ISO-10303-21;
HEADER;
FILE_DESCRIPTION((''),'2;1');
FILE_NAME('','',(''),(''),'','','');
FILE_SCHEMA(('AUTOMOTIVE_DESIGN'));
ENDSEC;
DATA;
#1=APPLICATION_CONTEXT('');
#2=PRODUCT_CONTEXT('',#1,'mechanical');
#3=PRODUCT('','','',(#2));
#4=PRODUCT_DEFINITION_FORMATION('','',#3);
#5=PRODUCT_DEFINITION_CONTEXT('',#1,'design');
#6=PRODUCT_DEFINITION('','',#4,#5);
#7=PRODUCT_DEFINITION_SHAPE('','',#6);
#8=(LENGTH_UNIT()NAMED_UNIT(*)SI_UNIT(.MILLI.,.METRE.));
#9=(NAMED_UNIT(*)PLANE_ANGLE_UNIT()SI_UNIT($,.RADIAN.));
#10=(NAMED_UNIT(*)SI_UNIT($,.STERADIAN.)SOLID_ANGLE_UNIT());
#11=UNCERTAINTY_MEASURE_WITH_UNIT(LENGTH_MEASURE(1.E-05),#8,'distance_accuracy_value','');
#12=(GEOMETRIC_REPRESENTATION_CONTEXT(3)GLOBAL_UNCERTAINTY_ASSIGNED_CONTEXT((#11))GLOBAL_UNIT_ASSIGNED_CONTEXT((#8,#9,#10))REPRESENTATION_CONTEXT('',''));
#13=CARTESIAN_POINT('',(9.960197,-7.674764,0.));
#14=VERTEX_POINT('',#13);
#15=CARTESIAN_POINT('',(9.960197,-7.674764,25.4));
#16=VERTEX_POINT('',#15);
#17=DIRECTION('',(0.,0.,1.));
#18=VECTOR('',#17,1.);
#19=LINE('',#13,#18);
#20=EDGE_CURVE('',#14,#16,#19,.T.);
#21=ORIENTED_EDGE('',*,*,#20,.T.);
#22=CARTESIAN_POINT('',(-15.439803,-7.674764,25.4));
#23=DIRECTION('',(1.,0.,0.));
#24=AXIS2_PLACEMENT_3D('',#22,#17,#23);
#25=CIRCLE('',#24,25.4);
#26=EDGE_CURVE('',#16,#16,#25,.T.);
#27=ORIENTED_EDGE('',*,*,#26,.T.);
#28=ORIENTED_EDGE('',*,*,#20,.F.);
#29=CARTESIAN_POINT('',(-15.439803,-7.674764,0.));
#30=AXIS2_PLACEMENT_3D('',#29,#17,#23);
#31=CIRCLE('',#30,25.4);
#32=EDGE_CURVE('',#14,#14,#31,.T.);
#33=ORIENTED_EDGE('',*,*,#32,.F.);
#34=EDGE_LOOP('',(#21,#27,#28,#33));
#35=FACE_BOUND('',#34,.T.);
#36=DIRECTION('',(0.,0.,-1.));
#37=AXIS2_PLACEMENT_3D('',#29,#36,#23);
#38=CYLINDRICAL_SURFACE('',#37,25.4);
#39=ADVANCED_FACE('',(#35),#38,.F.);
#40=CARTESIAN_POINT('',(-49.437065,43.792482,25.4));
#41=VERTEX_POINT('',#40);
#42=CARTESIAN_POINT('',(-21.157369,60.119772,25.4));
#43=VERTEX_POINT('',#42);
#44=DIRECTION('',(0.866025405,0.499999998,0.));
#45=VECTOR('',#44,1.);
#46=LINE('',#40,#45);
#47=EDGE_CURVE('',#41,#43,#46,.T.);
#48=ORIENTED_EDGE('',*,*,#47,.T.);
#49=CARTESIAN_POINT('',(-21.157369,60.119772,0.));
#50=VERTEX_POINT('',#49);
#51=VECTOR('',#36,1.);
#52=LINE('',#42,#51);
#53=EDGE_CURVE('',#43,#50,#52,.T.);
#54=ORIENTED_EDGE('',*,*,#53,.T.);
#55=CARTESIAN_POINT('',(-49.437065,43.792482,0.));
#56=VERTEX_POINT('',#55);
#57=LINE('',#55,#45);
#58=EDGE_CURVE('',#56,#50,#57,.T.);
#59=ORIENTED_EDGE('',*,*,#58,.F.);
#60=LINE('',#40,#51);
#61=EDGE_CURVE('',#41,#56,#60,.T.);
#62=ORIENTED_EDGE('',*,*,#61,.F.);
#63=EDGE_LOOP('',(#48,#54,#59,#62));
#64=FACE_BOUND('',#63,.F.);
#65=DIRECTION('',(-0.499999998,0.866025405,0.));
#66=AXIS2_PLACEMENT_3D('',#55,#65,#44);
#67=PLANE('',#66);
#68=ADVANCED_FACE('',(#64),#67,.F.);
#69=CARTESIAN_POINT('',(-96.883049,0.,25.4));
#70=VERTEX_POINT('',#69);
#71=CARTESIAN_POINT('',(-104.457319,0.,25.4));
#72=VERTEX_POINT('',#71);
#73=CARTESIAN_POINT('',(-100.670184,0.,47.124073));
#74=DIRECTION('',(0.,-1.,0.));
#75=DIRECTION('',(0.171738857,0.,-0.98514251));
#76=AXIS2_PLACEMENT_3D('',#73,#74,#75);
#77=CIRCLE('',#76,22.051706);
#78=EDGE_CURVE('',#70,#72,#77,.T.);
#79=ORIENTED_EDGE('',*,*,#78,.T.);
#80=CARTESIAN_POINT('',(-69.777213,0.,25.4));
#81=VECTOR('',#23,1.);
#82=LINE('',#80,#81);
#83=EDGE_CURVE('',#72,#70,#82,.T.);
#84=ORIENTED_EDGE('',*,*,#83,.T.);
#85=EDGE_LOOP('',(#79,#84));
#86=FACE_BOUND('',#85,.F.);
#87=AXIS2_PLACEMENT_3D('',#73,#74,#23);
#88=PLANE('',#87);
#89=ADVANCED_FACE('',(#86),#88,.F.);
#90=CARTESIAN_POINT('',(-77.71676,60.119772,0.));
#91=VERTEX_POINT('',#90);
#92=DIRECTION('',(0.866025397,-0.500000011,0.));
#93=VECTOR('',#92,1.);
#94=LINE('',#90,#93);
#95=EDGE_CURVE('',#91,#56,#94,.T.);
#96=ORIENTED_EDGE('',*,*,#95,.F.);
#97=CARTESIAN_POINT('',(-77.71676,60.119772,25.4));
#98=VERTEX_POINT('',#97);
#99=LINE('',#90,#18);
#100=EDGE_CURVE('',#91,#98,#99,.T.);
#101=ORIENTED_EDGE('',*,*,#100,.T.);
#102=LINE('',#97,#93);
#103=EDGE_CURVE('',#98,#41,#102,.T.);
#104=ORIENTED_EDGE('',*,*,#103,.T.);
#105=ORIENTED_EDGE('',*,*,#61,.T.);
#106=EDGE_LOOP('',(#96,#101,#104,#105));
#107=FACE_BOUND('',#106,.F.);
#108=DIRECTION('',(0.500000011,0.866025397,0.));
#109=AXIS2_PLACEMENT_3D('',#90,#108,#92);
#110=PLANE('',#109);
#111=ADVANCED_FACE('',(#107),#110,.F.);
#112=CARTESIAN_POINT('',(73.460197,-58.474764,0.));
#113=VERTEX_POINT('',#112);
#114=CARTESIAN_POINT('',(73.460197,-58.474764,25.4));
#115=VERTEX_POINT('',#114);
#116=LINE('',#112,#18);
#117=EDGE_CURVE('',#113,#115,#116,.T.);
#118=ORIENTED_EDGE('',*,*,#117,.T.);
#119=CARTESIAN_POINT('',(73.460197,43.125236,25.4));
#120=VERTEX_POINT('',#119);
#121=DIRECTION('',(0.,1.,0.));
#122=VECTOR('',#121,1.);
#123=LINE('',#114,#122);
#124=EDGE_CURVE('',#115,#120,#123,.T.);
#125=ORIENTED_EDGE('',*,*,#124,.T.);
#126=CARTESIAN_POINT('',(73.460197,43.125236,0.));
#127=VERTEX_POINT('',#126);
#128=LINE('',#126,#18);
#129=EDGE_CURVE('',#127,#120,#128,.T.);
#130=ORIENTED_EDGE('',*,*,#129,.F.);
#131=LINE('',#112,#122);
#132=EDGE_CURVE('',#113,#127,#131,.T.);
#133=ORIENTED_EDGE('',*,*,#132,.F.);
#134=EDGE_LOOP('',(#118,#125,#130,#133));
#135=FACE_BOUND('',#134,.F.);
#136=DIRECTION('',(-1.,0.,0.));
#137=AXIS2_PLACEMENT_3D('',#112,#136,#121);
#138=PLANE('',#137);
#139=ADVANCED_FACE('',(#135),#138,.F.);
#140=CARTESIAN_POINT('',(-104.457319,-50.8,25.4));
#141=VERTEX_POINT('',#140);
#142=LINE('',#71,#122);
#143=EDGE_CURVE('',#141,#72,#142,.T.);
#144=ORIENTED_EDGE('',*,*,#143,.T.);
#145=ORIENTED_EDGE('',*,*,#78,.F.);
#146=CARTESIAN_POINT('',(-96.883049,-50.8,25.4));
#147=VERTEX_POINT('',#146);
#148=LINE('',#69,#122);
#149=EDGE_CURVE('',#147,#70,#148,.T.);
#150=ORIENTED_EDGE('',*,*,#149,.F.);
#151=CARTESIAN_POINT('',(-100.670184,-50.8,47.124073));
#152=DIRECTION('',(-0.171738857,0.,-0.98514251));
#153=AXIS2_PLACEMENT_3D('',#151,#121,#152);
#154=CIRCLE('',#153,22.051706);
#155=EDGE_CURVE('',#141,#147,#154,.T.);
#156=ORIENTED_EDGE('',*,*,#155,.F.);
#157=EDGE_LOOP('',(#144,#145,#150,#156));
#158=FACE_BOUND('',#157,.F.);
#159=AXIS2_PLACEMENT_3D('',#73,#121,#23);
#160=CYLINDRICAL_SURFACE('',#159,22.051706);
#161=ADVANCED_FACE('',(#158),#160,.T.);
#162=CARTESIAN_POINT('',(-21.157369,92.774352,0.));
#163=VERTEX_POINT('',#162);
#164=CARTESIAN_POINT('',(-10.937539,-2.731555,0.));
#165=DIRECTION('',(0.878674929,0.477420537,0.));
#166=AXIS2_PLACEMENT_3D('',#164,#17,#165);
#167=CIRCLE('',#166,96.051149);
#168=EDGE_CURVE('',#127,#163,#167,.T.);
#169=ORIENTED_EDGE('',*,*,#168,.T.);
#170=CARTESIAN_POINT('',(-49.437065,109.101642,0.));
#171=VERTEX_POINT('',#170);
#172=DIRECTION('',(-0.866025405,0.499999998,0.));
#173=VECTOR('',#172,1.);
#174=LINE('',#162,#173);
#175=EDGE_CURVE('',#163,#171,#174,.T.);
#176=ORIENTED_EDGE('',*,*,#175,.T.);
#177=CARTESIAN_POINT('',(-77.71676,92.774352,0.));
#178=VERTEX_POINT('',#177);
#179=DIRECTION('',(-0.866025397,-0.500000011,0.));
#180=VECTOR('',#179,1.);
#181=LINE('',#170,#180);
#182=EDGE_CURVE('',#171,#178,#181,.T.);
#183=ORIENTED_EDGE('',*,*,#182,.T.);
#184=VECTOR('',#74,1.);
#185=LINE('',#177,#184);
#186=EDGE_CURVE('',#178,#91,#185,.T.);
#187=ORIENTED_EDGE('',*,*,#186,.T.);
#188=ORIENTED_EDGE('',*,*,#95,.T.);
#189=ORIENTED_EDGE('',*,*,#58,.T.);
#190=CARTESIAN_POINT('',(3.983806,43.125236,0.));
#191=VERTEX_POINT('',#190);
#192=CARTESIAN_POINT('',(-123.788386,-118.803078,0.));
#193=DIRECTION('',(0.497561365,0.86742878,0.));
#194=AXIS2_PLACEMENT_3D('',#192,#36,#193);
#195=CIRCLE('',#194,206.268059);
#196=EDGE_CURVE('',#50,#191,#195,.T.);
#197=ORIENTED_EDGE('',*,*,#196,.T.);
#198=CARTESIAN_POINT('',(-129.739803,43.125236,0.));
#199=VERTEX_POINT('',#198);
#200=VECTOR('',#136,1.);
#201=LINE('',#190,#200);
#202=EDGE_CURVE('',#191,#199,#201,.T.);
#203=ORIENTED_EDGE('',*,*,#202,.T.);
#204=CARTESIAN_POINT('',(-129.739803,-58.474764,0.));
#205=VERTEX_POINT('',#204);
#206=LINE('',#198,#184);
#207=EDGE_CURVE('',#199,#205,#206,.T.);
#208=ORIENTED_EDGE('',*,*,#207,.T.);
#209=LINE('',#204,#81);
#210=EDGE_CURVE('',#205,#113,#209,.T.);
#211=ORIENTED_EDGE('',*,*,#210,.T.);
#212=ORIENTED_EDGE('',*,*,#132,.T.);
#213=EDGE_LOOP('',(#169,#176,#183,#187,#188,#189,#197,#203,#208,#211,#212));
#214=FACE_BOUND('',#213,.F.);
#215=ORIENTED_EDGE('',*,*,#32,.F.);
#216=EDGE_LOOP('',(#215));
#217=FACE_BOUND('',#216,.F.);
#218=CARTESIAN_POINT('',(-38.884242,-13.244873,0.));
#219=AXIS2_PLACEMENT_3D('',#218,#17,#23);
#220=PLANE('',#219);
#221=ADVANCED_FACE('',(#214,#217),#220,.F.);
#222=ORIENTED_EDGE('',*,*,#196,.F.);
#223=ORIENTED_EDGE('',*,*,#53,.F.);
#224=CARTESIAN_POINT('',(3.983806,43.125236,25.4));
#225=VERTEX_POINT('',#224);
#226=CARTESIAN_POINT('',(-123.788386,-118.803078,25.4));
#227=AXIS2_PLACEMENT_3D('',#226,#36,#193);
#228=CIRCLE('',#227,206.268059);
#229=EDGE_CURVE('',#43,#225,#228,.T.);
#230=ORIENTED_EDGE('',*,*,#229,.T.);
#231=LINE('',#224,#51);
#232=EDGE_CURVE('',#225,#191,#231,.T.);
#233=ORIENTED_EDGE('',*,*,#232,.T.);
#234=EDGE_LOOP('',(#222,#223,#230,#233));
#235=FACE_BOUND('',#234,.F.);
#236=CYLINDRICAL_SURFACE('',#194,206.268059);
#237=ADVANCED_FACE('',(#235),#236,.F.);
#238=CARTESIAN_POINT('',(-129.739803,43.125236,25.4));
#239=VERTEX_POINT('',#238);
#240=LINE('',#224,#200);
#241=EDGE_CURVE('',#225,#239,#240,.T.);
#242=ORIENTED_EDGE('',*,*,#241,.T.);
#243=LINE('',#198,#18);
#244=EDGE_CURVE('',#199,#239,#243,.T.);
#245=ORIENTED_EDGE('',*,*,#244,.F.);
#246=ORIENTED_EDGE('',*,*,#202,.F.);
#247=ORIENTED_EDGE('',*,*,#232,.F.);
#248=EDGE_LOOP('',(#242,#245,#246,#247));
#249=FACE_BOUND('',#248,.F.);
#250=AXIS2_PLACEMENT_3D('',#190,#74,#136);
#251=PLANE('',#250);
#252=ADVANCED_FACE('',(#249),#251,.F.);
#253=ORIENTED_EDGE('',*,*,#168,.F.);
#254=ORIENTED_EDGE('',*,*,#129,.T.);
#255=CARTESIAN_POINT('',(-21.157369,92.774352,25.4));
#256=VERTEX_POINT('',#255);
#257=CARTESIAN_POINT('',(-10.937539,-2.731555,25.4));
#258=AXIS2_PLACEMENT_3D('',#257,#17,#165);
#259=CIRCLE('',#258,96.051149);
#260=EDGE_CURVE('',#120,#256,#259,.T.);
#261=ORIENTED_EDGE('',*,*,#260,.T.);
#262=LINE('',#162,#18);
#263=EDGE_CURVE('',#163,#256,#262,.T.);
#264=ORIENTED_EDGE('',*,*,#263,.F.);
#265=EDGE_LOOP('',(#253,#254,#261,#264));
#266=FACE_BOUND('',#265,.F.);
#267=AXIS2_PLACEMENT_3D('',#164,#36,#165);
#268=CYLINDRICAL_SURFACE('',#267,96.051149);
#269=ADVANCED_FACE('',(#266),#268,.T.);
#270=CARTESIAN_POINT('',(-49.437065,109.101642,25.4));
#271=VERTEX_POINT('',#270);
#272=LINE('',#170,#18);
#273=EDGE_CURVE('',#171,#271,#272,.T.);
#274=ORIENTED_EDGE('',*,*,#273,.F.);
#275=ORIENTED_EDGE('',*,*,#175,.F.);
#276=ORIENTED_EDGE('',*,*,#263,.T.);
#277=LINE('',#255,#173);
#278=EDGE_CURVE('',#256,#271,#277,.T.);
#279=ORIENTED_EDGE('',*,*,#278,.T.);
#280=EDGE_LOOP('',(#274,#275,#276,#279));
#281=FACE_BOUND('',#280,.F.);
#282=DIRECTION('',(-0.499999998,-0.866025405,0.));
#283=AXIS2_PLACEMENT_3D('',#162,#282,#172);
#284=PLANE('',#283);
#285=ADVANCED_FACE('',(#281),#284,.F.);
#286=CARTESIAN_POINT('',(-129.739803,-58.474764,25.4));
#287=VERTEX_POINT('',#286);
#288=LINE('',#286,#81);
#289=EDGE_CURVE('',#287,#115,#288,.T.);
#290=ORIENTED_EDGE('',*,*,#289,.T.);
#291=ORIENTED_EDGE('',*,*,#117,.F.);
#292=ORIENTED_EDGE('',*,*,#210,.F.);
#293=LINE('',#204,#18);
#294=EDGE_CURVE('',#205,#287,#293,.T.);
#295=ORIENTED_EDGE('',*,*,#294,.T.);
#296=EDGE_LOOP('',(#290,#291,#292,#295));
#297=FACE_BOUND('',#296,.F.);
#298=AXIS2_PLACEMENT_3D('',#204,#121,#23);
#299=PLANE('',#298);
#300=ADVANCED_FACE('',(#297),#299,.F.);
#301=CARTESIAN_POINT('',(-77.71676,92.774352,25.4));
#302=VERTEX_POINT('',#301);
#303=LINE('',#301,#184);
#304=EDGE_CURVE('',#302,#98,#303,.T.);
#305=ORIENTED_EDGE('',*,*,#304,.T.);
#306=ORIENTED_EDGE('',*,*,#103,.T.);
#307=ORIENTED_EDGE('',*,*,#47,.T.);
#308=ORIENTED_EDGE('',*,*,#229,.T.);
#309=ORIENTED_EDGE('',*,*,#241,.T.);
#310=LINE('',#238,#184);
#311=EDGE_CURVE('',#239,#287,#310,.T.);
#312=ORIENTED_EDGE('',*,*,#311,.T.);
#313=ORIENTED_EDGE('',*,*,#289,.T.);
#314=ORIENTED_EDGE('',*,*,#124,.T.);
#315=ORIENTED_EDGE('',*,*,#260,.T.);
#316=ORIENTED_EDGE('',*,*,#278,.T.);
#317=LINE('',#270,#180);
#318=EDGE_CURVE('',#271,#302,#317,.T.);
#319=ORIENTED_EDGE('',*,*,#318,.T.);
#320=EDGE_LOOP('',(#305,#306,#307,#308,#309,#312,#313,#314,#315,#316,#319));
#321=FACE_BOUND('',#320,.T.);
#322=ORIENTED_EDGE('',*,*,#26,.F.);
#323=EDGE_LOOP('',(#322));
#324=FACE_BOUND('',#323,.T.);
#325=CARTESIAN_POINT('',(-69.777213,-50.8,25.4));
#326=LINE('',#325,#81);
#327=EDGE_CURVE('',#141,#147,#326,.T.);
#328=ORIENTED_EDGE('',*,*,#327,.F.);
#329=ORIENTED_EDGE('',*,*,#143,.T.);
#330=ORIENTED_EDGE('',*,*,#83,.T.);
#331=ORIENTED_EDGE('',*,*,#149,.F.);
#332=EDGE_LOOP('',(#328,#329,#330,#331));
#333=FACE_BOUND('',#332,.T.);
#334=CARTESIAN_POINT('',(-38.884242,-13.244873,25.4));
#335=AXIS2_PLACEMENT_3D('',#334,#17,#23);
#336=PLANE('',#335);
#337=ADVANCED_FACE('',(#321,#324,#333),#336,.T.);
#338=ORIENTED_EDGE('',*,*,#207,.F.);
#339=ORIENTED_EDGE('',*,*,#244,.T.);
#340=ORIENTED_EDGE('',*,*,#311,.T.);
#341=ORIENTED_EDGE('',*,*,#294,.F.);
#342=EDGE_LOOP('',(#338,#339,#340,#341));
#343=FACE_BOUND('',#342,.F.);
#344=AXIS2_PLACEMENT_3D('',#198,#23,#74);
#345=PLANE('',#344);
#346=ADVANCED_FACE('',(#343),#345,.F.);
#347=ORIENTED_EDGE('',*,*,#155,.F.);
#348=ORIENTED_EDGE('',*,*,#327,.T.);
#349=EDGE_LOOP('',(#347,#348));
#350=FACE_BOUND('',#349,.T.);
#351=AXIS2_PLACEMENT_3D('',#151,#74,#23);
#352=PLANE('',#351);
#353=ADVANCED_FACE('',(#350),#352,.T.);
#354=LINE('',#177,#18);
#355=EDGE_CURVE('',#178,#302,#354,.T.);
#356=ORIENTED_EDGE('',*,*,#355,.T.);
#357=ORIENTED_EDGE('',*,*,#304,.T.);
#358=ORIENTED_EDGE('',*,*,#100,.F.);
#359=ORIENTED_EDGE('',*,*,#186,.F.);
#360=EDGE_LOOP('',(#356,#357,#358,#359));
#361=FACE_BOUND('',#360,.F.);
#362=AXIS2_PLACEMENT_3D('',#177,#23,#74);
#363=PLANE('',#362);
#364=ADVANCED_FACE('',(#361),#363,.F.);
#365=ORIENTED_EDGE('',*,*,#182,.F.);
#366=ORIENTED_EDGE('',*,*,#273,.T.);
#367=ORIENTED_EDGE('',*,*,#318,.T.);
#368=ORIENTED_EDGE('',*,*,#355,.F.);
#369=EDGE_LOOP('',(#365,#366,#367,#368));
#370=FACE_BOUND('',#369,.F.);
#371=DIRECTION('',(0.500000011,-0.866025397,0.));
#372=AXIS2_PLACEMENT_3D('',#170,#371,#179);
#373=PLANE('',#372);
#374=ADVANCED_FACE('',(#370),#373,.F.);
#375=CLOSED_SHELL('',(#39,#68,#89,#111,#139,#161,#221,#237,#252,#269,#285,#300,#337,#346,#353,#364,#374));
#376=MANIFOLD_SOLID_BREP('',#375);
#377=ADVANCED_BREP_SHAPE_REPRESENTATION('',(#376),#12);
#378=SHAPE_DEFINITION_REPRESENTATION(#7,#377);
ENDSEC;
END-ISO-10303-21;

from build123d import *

# Parameters (mm, degrees)
F0_R     = 25.4
F1_DEPTH = 12.7
F2_DEPTH = 25.4
F3_R     = 22.051706
F4_DEPTH = 50.8


with BuildPart() as f1:
    # F0 (on Top) → F1 (new body)
    with BuildSketch(Plane.XY):
        with BuildLine():
            Line((3.983806, 43.125236), (-129.739803, 43.125236))
            Line((-129.739803, 43.125236), (-129.739803, -7.674764))
            Line((-129.739803, -7.674764), (-129.739803, -58.474764))
            Line((-129.739803, -58.474764), (-15.439803, -58.474764))
            Line((-15.439803, -58.474764), (73.460197, -58.474764))
            ThreePointArc((73.460197, -58.474764), (46.476896, -2.371791), (3.983806, 43.125236))
        make_face()
        with Locations((-15.439803, -7.674764)):
            Circle(F0_R, mode=Mode.SUBTRACT)
        with BuildLine():
            ThreePointArc((-21.157369, 60.119772), (-8.273827, 52.085478), (3.983806, 43.125236))
            Line((3.983806, 43.125236), (73.460197, 43.125236))
            ThreePointArc((73.460197, 43.125236), (33.692598, 82.321217), (-21.157369, 92.774352))
            Line((-21.157369, 92.774352), (-21.157369, 60.119772))
        make_face()
        with BuildLine():
            Line((73.460197, 43.125236), (3.983806, 43.125236))
            ThreePointArc((3.983806, 43.125236), (46.476896, -2.371791), (73.460197, -58.474764))
            Line((73.460197, -58.474764), (73.460197, 43.125236))
        make_face()
        Polygon((-49.437065, 43.792482), (-21.157369, 60.119772), (-21.157369, 92.774352), (-49.437065, 109.101642), (-77.71676, 92.774352), (-77.71676, 60.119772), align=None)
    extrude(amount=F1_DEPTH)

    # F0 (on Top) → F2 (join)
    with BuildSketch(Plane.XY):
        with BuildLine():
            Line((3.983806, 43.125236), (-129.739803, 43.125236))
            Line((-129.739803, 43.125236), (-129.739803, -7.674764))
            Line((-129.739803, -7.674764), (-129.739803, -58.474764))
            Line((-129.739803, -58.474764), (-15.439803, -58.474764))
            Line((-15.439803, -58.474764), (73.460197, -58.474764))
            ThreePointArc((73.460197, -58.474764), (46.476896, -2.371791), (3.983806, 43.125236))
        make_face()
        with Locations((-15.439803, -7.674764)):
            Circle(F0_R, mode=Mode.SUBTRACT)
        with BuildLine():
            ThreePointArc((-21.157369, 60.119772), (-8.273827, 52.085478), (3.983806, 43.125236))
            Line((3.983806, 43.125236), (73.460197, 43.125236))
            ThreePointArc((73.460197, 43.125236), (33.692598, 82.321217), (-21.157369, 92.774352))
            Line((-21.157369, 92.774352), (-21.157369, 60.119772))
        make_face()
        with BuildLine():
            Line((73.460197, 43.125236), (3.983806, 43.125236))
            ThreePointArc((3.983806, 43.125236), (46.476896, -2.371791), (73.460197, -58.474764))
            Line((73.460197, -58.474764), (73.460197, 43.125236))
        make_face()
        Polygon((-49.437065, 43.792482), (-21.157369, 60.119772), (-21.157369, 92.774352), (-49.437065, 109.101642), (-77.71676, 92.774352), (-77.71676, 60.119772), align=None)
    extrude(amount=F2_DEPTH)

    # F3 (on Front) → F4 (join)
    with BuildSketch(Plane.XZ):
        with Locations((-100.670184, 47.124073)):
            Circle(F3_R)
    extrude(amount=F4_DEPTH)


solid = f1.part
